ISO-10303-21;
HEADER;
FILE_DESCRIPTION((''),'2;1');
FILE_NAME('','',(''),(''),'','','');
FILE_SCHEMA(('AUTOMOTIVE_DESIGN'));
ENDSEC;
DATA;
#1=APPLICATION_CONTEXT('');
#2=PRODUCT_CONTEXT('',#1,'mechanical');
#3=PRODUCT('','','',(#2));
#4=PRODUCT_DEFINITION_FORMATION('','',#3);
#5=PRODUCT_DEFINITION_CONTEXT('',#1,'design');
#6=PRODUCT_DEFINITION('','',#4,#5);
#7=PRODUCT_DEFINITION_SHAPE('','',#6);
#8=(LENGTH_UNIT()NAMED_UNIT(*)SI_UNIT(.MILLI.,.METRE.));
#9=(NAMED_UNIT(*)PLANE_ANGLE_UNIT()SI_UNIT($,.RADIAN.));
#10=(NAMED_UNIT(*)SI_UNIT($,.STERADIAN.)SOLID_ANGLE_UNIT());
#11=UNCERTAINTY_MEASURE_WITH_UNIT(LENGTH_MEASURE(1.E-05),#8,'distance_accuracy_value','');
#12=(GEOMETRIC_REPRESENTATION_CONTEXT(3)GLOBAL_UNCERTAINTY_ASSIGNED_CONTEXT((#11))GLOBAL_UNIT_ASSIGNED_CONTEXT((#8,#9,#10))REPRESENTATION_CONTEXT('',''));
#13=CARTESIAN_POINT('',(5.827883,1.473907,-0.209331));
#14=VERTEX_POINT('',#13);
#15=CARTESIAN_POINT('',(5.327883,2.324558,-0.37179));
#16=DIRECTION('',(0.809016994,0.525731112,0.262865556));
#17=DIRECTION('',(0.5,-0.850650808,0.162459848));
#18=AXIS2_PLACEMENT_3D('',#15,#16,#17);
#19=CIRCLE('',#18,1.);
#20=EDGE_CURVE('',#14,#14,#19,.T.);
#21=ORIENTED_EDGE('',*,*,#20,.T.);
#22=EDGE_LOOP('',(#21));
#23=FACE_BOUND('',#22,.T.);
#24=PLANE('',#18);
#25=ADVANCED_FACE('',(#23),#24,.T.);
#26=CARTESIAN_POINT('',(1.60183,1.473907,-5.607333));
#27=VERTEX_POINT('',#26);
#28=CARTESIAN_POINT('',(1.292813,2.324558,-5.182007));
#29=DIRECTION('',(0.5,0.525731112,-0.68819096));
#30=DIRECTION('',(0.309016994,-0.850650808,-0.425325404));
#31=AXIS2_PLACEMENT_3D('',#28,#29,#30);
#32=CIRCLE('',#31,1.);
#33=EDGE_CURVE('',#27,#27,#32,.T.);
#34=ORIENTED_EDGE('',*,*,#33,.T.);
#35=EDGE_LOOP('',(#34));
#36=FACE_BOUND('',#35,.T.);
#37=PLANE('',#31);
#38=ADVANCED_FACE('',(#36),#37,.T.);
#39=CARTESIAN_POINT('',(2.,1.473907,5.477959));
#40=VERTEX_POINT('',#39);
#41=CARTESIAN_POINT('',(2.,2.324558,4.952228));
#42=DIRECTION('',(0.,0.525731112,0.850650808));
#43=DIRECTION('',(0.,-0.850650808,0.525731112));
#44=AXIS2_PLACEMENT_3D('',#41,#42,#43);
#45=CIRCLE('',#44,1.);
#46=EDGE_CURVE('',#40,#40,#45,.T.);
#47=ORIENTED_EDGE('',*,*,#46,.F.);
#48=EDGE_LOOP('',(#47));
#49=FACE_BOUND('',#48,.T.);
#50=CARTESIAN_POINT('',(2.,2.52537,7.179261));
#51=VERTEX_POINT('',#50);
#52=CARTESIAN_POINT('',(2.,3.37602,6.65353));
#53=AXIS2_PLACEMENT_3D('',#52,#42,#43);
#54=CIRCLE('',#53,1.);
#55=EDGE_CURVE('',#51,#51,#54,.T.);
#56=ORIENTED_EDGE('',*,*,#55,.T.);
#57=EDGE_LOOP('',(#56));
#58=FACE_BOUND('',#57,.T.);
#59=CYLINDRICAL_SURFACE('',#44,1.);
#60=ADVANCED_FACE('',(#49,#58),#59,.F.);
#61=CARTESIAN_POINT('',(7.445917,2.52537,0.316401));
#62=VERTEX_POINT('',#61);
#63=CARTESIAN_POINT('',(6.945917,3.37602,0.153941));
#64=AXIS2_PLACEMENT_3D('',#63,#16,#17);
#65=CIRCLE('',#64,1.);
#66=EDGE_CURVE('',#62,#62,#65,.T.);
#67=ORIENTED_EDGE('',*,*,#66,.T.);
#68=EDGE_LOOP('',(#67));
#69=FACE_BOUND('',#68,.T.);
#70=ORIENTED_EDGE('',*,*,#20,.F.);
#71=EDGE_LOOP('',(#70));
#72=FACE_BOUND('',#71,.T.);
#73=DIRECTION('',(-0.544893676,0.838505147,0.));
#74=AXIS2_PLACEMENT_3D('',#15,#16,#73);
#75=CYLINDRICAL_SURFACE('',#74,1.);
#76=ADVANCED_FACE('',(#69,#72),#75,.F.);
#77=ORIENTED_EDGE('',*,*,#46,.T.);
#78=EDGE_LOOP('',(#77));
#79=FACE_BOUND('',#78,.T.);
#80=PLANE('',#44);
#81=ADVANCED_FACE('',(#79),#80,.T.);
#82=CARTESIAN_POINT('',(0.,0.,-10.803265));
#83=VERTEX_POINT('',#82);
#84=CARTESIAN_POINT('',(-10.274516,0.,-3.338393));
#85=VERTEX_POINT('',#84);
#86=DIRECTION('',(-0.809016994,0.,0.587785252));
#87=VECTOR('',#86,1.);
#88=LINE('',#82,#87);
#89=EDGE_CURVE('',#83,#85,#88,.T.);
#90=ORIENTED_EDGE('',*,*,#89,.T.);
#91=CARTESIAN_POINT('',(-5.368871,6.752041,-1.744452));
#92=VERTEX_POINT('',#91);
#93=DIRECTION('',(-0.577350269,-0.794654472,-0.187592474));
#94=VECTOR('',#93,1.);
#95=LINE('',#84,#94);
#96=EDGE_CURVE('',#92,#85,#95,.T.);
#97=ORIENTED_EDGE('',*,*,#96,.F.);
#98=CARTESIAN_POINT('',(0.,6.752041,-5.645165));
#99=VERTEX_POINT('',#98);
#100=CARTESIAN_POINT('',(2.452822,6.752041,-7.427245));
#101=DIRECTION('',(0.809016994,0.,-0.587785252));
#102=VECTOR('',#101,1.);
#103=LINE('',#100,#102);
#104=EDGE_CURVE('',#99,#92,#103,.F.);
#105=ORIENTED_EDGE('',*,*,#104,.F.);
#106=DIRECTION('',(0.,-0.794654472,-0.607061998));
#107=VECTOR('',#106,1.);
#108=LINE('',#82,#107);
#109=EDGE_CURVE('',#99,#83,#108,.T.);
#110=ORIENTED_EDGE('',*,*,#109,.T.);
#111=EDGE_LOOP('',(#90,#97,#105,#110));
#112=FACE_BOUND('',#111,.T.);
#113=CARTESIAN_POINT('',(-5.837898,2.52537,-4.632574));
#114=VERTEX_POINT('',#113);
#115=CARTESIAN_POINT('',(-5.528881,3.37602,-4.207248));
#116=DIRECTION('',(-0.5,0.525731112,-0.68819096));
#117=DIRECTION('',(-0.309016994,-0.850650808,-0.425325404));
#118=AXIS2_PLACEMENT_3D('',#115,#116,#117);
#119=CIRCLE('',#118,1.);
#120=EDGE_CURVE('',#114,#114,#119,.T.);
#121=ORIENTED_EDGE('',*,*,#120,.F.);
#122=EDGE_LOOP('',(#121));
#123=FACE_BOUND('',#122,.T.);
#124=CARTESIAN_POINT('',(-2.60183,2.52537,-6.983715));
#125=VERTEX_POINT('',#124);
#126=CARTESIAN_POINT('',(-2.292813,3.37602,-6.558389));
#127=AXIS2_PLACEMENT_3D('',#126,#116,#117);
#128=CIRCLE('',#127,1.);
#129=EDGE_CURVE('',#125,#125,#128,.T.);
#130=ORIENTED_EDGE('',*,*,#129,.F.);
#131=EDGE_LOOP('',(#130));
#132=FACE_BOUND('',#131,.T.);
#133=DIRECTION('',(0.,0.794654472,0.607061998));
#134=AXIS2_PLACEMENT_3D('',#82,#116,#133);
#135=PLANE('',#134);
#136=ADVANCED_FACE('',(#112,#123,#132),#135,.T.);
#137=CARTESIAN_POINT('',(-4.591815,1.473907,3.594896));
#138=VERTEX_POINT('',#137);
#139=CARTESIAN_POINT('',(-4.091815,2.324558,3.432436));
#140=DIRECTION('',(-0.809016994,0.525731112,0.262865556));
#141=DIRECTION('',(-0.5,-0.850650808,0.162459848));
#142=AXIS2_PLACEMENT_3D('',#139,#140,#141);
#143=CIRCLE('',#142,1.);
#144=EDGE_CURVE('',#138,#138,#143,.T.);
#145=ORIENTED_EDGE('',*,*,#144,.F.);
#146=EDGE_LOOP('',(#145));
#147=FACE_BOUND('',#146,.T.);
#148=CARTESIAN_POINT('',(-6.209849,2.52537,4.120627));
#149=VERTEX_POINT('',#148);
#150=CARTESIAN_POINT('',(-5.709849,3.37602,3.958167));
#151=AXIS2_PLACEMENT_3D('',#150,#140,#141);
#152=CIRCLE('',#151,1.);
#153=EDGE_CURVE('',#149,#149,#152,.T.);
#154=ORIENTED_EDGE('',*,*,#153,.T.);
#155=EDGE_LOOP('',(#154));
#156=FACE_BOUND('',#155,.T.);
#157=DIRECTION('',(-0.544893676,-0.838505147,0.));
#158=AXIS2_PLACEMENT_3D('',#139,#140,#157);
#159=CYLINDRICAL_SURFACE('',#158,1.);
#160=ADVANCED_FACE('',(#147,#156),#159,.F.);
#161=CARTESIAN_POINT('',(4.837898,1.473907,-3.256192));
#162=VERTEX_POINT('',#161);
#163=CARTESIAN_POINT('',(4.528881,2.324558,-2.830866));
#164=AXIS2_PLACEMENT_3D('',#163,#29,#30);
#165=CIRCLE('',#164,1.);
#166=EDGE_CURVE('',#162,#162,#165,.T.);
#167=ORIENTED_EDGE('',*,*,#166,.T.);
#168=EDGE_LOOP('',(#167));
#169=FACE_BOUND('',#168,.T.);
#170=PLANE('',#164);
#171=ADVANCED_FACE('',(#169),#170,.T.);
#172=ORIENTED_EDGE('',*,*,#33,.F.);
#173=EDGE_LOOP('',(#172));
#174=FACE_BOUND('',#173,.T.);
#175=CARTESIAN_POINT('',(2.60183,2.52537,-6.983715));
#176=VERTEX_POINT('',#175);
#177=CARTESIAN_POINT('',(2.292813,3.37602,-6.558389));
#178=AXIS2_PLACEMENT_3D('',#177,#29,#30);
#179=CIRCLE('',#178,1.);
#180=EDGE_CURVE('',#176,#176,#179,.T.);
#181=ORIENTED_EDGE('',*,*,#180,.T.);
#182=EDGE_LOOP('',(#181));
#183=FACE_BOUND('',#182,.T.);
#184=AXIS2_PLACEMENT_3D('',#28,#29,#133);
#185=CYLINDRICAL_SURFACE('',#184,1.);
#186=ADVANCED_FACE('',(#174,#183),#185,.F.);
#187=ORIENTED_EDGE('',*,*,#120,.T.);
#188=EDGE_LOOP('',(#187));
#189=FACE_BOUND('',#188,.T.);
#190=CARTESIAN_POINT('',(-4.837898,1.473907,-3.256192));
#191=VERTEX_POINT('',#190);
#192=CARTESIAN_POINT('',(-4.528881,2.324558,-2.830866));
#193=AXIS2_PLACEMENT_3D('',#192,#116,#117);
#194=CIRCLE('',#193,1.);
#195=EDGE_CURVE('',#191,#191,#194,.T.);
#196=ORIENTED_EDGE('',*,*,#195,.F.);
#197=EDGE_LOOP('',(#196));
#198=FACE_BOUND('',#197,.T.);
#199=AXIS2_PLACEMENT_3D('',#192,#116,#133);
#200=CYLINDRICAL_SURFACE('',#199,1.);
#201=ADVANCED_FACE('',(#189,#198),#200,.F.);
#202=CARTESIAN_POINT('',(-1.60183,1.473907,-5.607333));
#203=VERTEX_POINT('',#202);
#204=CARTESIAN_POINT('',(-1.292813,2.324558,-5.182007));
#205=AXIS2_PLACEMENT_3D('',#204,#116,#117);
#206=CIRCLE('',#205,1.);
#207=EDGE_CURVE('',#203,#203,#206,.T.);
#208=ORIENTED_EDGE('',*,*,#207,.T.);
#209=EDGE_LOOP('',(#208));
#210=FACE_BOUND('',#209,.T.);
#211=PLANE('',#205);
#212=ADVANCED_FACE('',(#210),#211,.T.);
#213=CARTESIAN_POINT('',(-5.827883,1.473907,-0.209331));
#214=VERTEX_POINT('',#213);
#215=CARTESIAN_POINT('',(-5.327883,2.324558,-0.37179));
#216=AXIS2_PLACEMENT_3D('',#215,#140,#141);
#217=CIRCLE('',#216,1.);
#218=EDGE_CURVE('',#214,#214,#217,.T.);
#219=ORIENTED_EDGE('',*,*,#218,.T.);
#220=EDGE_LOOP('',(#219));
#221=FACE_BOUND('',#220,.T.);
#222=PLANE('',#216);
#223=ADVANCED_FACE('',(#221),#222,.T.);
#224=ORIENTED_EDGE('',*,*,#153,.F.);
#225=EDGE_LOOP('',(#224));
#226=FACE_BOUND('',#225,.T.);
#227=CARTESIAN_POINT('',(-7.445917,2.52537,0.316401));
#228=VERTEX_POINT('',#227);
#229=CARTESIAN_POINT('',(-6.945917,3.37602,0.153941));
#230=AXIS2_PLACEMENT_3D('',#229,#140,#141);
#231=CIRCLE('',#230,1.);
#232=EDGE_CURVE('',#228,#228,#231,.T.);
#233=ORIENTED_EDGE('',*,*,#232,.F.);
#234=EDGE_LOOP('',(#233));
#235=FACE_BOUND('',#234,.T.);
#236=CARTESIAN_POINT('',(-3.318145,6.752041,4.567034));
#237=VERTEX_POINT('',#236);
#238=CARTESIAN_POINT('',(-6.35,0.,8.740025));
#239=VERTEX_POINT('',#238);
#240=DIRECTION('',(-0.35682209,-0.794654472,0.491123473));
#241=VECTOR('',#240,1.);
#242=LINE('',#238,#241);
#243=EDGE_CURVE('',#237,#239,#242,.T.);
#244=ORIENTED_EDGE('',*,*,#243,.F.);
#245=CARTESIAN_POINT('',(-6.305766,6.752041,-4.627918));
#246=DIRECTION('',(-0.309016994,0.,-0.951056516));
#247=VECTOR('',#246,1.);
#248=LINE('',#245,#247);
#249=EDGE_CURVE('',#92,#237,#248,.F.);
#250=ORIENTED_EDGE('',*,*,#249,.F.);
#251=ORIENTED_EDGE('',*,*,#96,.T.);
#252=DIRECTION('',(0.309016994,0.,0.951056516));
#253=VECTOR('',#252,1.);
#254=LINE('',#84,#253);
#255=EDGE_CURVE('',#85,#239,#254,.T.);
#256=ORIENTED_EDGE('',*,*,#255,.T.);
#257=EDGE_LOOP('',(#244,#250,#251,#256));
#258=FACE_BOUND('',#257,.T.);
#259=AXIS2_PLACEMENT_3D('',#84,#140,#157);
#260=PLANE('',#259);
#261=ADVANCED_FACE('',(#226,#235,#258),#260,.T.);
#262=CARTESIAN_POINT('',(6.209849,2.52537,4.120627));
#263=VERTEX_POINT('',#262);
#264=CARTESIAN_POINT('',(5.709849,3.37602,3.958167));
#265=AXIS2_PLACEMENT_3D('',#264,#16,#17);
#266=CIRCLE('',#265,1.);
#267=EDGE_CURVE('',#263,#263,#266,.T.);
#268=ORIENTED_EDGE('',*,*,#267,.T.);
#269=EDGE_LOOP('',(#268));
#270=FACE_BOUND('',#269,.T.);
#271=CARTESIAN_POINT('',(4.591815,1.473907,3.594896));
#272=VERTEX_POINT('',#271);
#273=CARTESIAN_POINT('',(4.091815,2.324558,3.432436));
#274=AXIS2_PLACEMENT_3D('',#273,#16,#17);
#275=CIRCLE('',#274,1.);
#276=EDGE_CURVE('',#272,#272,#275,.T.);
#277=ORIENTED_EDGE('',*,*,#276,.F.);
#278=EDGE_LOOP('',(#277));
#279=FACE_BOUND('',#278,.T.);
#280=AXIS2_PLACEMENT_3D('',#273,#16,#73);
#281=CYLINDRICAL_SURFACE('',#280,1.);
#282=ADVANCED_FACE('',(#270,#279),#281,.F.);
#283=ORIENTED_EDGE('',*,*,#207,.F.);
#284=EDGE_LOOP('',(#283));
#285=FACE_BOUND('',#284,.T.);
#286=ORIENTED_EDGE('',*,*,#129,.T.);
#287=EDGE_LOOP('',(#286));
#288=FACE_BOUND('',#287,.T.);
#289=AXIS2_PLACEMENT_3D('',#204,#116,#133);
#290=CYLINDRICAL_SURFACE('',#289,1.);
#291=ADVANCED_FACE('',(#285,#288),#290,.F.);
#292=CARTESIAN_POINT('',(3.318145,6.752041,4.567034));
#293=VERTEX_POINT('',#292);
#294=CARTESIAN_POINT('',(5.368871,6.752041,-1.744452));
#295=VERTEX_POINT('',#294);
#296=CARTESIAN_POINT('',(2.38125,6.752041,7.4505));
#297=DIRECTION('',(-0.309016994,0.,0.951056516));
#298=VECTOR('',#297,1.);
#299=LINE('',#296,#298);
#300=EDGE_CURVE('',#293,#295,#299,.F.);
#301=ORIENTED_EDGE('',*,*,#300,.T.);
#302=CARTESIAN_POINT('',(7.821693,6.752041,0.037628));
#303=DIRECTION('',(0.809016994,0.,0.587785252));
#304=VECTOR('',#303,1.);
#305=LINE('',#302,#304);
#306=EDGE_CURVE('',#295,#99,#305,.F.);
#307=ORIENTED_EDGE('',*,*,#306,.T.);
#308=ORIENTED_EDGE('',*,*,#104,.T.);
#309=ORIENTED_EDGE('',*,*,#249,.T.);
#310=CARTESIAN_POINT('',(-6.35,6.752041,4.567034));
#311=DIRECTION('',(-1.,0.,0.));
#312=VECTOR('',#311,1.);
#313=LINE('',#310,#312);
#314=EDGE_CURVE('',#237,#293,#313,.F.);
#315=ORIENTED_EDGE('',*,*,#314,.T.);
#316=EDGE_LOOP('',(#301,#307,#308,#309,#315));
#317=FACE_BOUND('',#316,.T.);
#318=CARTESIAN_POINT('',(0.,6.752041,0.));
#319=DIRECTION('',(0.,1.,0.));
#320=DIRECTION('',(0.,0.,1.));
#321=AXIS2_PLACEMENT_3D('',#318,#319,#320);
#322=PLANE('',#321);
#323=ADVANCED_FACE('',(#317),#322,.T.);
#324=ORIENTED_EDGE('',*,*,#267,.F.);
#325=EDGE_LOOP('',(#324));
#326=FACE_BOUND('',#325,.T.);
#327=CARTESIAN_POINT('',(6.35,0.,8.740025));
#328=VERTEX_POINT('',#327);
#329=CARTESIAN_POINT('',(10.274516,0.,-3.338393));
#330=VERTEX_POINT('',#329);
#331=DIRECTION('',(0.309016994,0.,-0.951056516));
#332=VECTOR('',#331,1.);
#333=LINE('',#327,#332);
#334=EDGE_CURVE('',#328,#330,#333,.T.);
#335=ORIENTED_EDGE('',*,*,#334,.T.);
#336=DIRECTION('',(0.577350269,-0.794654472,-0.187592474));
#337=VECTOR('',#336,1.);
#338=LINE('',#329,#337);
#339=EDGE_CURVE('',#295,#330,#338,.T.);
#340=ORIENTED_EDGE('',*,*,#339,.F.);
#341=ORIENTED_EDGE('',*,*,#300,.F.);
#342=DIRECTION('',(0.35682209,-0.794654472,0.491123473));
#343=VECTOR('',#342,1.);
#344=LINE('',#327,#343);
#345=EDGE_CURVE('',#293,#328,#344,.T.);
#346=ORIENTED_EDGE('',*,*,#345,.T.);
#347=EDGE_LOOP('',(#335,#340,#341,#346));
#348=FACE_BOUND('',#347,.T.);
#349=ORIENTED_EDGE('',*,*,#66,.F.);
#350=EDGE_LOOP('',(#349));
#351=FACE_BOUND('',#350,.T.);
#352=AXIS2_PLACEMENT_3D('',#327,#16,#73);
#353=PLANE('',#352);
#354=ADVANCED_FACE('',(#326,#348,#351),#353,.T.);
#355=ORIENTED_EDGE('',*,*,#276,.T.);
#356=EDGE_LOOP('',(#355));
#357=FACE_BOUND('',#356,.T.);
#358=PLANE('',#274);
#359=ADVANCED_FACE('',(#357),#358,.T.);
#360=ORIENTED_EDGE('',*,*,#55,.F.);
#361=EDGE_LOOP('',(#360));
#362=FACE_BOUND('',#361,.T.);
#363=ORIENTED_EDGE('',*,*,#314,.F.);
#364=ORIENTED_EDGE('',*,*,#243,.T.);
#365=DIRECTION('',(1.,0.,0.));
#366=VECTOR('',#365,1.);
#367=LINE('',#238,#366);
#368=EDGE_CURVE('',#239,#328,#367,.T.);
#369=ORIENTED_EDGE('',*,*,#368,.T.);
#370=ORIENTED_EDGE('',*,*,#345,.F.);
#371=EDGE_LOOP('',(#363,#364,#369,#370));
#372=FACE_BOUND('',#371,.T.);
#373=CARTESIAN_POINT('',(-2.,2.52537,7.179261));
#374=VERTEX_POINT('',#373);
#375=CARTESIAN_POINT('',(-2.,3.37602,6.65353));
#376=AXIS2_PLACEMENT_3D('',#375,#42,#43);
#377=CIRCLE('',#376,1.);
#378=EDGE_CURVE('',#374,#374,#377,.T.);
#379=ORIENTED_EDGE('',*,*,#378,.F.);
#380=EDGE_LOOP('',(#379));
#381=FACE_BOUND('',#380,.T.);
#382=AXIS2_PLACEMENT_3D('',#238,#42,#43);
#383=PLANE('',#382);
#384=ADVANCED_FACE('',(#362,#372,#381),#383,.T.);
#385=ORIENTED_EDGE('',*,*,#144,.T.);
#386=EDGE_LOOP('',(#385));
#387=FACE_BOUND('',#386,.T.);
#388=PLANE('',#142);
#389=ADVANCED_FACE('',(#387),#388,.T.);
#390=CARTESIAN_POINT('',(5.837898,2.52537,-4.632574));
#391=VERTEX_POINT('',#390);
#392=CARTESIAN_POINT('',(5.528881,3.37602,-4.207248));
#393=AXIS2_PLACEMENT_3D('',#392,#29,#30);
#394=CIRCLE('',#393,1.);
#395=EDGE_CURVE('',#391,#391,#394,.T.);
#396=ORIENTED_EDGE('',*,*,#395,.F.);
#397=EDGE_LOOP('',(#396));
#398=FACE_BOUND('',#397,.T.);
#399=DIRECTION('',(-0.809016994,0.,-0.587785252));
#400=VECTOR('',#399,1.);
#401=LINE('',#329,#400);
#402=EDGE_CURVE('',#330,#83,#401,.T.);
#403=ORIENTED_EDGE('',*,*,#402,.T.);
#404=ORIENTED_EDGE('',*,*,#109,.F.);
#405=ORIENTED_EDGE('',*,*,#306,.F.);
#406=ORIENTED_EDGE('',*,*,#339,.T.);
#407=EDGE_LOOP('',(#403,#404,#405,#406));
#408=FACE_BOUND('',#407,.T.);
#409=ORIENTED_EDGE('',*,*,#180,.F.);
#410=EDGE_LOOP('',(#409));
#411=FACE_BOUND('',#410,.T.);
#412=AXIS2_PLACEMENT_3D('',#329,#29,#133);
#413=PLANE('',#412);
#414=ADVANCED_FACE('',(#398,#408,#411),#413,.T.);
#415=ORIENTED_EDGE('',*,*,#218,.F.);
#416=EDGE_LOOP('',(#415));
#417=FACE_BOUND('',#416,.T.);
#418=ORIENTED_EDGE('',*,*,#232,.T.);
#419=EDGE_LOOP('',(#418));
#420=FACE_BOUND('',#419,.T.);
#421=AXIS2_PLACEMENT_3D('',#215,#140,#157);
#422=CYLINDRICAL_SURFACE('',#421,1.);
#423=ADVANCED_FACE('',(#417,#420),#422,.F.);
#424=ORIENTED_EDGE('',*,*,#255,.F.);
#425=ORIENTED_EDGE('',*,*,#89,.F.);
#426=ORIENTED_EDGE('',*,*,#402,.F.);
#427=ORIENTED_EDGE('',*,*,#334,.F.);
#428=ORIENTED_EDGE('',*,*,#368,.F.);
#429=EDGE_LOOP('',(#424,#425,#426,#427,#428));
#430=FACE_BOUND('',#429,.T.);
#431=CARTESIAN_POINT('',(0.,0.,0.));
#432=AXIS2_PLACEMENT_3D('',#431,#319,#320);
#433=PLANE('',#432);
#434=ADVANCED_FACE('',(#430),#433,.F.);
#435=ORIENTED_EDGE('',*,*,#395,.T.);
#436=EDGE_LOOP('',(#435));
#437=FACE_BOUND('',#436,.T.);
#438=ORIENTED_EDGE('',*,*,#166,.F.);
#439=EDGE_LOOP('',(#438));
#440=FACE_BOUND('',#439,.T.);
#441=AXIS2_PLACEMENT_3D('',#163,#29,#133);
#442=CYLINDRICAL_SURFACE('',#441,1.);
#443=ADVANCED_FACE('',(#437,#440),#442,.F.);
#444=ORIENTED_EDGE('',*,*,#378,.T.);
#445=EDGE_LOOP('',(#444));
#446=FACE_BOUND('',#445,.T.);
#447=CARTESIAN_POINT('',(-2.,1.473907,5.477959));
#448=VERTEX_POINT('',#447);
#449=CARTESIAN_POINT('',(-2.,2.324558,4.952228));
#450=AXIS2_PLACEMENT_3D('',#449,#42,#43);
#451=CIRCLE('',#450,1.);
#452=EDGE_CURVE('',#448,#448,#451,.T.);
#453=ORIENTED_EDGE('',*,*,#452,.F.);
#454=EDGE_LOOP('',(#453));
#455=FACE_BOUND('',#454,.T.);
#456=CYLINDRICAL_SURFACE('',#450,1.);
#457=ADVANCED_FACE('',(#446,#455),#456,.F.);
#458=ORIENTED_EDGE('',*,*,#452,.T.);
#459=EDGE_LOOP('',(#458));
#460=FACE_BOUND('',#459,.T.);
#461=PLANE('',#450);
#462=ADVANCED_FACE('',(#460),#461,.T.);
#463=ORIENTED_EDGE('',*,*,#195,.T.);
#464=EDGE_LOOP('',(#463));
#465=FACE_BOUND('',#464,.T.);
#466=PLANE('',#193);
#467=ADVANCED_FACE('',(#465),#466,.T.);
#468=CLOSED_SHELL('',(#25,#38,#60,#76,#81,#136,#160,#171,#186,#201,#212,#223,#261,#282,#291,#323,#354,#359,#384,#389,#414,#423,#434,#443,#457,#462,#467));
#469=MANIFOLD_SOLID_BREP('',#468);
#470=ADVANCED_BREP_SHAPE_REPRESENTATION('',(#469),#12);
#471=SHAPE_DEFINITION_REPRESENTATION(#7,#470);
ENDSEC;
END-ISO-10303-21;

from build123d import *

# Parameters (mm, degrees)
BOSS_EXTRUDE1_DEPTH = 6.752040791
BOSS_EXTRUDE1_TAPER = 31.717474411
SKETCH3_R           = 1
CUT_EXTRUDE1_DEPTH  = 2
CIRPATTERN1_COUNT   = 5


with BuildPart() as part:
    # Sketch1 → Boss-Extrude1 (new body)
    with BuildSketch(Plane(origin=(0, 0, 0), x_dir=(1, 0, 0), z_dir=(0, 1, 0))):
        Polygon((0, 10.803265266), (-10.274515829, 3.338392562), (-6.35, -8.740025195), (6.35, -8.740025195), (10.274515829, 3.338392562), align=None)
    extrude(amount=BOSS_EXTRUDE1_DEPTH, taper=BOSS_EXTRUDE1_TAPER)

    # Sketch3 → Cut-Extrude1 (cut)
    with BuildSketch(Plane(origin=(0, 3.908658092, 6.324341644), x_dir=(1, 0, 0), z_dir=(1.6266940928737823e-15, 0.5257311121191348, 0.8506508083520392))):
        with Locations((-2, -0.626153166)):
            Circle(SKETCH3_R)
        with Locations((2, -0.626153166)):
            Circle(SKETCH3_R)
    cut_extrude1 = extrude(amount=-CUT_EXTRUDE1_DEPTH, mode=Mode.SUBTRACT)

    # CirPattern1: Cut-Extrude1 ×5 about axis
    cirpattern1_axis = Axis((0, 14.848740719, 0), (0, -1, 0))
    for i in range(1, CIRPATTERN1_COUNT):
        add(cut_extrude1.rotate(cirpattern1_axis, i * 360 / CIRPATTERN1_COUNT), mode=Mode.SUBTRACT)


solid = part.part
